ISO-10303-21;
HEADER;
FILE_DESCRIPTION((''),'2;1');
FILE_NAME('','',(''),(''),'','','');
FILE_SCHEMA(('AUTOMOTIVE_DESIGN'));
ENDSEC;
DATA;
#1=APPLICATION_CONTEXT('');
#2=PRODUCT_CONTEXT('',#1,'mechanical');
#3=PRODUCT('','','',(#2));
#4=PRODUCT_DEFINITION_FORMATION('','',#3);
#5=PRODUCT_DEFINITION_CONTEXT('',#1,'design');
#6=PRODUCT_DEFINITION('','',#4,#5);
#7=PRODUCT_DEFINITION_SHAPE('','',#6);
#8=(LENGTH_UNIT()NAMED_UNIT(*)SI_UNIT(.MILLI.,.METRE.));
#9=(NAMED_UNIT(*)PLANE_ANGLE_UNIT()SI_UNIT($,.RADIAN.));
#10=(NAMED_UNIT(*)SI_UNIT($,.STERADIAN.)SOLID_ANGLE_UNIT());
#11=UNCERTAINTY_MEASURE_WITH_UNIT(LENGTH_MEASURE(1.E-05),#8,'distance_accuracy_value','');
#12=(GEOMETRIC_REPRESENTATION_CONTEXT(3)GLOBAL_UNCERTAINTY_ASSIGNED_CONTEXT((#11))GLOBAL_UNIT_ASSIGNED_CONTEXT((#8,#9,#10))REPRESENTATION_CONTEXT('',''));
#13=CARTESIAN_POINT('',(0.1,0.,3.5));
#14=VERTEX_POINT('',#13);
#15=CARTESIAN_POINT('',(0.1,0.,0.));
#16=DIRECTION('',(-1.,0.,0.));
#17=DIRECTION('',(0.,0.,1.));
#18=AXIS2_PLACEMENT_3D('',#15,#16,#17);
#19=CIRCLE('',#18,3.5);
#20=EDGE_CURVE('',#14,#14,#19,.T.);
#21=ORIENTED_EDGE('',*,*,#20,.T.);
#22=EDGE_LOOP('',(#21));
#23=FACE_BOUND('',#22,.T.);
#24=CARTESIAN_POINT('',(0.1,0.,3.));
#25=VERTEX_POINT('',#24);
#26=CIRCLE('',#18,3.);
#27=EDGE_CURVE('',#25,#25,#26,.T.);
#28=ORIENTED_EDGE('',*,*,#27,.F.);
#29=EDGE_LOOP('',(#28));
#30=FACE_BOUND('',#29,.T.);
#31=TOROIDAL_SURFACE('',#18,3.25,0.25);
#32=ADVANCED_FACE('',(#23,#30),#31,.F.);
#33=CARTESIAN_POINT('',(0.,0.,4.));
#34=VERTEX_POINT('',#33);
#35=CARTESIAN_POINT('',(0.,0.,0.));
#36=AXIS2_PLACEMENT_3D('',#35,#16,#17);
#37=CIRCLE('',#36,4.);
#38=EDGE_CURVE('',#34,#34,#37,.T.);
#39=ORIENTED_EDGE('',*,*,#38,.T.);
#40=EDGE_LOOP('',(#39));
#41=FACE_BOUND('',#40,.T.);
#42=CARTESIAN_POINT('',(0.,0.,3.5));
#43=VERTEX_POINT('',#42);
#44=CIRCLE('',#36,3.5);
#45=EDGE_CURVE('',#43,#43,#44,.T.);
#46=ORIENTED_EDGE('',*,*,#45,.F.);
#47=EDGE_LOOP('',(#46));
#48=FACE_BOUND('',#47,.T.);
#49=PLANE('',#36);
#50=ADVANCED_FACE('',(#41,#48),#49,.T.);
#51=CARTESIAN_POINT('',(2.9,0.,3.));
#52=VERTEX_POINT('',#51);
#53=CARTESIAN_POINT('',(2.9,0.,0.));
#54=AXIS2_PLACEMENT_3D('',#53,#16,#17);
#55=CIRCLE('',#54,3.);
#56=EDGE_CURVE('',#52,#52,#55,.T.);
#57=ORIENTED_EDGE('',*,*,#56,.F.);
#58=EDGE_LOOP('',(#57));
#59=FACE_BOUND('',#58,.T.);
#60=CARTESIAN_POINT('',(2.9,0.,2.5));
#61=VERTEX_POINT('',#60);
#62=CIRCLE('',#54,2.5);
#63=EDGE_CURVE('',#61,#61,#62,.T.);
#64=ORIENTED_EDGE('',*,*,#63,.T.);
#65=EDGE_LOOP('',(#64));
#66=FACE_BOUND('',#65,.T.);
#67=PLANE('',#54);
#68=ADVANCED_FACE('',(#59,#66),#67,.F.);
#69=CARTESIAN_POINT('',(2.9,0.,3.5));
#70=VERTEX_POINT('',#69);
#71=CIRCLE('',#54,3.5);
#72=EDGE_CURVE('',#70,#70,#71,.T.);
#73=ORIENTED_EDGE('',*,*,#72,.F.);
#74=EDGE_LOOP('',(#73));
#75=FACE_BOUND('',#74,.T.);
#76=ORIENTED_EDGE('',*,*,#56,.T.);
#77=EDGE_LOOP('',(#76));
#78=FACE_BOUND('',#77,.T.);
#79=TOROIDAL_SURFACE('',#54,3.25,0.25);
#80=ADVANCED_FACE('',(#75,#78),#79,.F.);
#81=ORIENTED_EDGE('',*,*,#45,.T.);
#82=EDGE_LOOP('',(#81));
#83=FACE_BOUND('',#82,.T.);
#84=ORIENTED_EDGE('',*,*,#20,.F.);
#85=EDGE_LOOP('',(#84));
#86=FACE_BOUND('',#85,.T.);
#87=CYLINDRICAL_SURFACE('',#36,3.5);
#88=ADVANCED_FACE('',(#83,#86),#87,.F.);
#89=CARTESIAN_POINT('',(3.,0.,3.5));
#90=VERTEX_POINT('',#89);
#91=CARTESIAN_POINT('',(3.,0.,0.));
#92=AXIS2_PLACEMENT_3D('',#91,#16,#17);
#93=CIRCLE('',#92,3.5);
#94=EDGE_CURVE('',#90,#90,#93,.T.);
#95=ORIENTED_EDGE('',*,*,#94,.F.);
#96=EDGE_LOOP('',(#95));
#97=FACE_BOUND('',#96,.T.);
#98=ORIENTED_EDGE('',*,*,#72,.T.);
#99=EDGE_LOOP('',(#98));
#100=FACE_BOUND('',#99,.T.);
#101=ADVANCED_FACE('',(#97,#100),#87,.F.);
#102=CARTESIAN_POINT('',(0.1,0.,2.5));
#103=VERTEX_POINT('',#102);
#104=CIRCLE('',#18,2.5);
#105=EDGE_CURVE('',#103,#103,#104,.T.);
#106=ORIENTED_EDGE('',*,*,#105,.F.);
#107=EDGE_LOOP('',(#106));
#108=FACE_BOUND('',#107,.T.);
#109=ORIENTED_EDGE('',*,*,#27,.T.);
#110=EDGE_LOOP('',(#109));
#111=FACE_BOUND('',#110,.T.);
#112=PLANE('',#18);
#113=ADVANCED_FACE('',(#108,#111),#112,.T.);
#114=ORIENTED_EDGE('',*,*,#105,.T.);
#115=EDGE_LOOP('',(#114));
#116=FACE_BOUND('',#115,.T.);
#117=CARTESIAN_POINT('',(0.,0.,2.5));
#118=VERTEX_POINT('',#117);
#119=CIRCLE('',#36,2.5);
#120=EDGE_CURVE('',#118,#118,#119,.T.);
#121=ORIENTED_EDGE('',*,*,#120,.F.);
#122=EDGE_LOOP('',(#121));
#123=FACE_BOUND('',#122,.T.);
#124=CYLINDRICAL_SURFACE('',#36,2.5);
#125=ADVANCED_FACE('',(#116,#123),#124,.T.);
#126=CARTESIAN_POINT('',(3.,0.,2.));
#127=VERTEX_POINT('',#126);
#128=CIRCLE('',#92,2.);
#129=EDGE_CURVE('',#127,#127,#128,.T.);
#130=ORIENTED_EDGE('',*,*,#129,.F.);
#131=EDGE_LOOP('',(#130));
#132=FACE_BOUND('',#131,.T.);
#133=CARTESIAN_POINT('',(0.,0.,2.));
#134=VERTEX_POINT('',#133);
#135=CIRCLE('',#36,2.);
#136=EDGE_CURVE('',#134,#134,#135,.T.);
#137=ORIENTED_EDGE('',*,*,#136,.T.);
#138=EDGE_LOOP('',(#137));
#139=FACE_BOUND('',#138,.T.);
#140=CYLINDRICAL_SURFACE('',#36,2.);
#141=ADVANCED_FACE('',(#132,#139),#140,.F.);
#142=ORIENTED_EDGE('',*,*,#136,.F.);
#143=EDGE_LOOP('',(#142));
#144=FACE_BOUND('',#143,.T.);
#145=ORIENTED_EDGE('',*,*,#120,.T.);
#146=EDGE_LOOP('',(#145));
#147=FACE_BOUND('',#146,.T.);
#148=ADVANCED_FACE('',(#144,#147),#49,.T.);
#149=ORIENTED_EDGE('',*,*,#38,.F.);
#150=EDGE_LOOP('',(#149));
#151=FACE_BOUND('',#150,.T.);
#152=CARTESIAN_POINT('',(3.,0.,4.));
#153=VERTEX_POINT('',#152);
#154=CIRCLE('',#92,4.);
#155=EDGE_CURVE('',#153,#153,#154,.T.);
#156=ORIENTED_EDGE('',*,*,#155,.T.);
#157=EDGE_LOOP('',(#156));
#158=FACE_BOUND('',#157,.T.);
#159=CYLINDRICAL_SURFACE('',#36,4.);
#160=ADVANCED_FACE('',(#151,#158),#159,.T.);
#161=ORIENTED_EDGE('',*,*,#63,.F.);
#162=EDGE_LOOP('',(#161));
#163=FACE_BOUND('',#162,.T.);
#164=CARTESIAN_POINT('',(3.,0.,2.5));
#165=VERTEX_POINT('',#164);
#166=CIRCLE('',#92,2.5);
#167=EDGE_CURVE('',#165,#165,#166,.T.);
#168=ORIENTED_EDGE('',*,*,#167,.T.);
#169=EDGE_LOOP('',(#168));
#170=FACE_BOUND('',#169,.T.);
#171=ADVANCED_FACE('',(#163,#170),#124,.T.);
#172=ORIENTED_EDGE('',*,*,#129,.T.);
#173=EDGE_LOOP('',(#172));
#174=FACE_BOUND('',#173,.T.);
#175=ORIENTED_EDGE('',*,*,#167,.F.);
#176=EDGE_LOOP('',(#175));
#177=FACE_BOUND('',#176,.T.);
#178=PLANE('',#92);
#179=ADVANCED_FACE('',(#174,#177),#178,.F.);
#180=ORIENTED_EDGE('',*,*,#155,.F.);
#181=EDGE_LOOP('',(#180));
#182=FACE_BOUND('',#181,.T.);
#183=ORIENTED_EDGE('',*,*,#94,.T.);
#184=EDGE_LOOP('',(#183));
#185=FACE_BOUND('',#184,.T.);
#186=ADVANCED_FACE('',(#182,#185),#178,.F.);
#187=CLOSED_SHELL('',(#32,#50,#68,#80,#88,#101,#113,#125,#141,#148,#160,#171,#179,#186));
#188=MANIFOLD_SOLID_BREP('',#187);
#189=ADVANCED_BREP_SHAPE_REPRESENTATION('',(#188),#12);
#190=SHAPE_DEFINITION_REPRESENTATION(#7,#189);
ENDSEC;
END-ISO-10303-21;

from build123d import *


with BuildPart() as part:
    # 草图1 → 旋转1 (revolve)
    with BuildSketch(Plane.XY, mode=Mode.PRIVATE) as revolve_1_sk:
        with BuildLine():
            Line((0.1, 3.5), (0, 3.5))
            Line((0, 3.5), (0, 4))
            Line((0, 4), (3, 4))
            Line((3, 4), (3, 3.5))
            Line((3, 3.5), (2.9, 3.5))
            ThreePointArc((2.9, 3.5), (2.65, 3.25), (2.9, 3))
            Line((2.9, 3), (2.9, 2.5))
            Line((2.9, 2.5), (3, 2.5))
            Line((3, 2.5), (3, 2))
            Line((3, 2), (0, 2))
            Line((0, 2), (0, 2.5))
            Line((0, 2.5), (0.1, 2.5))
            Line((0.1, 2.5), (0.1, 3))
            ThreePointArc((0.1, 3), (0.35, 3.25), (0.1, 3.5))
        make_face()
    revolve(revolve_1_sk.sketch.rotate(Axis((0, 0, 0), (1, 0, 0)), 90), axis=Axis((0, 0, 0), (1, 0, 0)))


solid = part.part
